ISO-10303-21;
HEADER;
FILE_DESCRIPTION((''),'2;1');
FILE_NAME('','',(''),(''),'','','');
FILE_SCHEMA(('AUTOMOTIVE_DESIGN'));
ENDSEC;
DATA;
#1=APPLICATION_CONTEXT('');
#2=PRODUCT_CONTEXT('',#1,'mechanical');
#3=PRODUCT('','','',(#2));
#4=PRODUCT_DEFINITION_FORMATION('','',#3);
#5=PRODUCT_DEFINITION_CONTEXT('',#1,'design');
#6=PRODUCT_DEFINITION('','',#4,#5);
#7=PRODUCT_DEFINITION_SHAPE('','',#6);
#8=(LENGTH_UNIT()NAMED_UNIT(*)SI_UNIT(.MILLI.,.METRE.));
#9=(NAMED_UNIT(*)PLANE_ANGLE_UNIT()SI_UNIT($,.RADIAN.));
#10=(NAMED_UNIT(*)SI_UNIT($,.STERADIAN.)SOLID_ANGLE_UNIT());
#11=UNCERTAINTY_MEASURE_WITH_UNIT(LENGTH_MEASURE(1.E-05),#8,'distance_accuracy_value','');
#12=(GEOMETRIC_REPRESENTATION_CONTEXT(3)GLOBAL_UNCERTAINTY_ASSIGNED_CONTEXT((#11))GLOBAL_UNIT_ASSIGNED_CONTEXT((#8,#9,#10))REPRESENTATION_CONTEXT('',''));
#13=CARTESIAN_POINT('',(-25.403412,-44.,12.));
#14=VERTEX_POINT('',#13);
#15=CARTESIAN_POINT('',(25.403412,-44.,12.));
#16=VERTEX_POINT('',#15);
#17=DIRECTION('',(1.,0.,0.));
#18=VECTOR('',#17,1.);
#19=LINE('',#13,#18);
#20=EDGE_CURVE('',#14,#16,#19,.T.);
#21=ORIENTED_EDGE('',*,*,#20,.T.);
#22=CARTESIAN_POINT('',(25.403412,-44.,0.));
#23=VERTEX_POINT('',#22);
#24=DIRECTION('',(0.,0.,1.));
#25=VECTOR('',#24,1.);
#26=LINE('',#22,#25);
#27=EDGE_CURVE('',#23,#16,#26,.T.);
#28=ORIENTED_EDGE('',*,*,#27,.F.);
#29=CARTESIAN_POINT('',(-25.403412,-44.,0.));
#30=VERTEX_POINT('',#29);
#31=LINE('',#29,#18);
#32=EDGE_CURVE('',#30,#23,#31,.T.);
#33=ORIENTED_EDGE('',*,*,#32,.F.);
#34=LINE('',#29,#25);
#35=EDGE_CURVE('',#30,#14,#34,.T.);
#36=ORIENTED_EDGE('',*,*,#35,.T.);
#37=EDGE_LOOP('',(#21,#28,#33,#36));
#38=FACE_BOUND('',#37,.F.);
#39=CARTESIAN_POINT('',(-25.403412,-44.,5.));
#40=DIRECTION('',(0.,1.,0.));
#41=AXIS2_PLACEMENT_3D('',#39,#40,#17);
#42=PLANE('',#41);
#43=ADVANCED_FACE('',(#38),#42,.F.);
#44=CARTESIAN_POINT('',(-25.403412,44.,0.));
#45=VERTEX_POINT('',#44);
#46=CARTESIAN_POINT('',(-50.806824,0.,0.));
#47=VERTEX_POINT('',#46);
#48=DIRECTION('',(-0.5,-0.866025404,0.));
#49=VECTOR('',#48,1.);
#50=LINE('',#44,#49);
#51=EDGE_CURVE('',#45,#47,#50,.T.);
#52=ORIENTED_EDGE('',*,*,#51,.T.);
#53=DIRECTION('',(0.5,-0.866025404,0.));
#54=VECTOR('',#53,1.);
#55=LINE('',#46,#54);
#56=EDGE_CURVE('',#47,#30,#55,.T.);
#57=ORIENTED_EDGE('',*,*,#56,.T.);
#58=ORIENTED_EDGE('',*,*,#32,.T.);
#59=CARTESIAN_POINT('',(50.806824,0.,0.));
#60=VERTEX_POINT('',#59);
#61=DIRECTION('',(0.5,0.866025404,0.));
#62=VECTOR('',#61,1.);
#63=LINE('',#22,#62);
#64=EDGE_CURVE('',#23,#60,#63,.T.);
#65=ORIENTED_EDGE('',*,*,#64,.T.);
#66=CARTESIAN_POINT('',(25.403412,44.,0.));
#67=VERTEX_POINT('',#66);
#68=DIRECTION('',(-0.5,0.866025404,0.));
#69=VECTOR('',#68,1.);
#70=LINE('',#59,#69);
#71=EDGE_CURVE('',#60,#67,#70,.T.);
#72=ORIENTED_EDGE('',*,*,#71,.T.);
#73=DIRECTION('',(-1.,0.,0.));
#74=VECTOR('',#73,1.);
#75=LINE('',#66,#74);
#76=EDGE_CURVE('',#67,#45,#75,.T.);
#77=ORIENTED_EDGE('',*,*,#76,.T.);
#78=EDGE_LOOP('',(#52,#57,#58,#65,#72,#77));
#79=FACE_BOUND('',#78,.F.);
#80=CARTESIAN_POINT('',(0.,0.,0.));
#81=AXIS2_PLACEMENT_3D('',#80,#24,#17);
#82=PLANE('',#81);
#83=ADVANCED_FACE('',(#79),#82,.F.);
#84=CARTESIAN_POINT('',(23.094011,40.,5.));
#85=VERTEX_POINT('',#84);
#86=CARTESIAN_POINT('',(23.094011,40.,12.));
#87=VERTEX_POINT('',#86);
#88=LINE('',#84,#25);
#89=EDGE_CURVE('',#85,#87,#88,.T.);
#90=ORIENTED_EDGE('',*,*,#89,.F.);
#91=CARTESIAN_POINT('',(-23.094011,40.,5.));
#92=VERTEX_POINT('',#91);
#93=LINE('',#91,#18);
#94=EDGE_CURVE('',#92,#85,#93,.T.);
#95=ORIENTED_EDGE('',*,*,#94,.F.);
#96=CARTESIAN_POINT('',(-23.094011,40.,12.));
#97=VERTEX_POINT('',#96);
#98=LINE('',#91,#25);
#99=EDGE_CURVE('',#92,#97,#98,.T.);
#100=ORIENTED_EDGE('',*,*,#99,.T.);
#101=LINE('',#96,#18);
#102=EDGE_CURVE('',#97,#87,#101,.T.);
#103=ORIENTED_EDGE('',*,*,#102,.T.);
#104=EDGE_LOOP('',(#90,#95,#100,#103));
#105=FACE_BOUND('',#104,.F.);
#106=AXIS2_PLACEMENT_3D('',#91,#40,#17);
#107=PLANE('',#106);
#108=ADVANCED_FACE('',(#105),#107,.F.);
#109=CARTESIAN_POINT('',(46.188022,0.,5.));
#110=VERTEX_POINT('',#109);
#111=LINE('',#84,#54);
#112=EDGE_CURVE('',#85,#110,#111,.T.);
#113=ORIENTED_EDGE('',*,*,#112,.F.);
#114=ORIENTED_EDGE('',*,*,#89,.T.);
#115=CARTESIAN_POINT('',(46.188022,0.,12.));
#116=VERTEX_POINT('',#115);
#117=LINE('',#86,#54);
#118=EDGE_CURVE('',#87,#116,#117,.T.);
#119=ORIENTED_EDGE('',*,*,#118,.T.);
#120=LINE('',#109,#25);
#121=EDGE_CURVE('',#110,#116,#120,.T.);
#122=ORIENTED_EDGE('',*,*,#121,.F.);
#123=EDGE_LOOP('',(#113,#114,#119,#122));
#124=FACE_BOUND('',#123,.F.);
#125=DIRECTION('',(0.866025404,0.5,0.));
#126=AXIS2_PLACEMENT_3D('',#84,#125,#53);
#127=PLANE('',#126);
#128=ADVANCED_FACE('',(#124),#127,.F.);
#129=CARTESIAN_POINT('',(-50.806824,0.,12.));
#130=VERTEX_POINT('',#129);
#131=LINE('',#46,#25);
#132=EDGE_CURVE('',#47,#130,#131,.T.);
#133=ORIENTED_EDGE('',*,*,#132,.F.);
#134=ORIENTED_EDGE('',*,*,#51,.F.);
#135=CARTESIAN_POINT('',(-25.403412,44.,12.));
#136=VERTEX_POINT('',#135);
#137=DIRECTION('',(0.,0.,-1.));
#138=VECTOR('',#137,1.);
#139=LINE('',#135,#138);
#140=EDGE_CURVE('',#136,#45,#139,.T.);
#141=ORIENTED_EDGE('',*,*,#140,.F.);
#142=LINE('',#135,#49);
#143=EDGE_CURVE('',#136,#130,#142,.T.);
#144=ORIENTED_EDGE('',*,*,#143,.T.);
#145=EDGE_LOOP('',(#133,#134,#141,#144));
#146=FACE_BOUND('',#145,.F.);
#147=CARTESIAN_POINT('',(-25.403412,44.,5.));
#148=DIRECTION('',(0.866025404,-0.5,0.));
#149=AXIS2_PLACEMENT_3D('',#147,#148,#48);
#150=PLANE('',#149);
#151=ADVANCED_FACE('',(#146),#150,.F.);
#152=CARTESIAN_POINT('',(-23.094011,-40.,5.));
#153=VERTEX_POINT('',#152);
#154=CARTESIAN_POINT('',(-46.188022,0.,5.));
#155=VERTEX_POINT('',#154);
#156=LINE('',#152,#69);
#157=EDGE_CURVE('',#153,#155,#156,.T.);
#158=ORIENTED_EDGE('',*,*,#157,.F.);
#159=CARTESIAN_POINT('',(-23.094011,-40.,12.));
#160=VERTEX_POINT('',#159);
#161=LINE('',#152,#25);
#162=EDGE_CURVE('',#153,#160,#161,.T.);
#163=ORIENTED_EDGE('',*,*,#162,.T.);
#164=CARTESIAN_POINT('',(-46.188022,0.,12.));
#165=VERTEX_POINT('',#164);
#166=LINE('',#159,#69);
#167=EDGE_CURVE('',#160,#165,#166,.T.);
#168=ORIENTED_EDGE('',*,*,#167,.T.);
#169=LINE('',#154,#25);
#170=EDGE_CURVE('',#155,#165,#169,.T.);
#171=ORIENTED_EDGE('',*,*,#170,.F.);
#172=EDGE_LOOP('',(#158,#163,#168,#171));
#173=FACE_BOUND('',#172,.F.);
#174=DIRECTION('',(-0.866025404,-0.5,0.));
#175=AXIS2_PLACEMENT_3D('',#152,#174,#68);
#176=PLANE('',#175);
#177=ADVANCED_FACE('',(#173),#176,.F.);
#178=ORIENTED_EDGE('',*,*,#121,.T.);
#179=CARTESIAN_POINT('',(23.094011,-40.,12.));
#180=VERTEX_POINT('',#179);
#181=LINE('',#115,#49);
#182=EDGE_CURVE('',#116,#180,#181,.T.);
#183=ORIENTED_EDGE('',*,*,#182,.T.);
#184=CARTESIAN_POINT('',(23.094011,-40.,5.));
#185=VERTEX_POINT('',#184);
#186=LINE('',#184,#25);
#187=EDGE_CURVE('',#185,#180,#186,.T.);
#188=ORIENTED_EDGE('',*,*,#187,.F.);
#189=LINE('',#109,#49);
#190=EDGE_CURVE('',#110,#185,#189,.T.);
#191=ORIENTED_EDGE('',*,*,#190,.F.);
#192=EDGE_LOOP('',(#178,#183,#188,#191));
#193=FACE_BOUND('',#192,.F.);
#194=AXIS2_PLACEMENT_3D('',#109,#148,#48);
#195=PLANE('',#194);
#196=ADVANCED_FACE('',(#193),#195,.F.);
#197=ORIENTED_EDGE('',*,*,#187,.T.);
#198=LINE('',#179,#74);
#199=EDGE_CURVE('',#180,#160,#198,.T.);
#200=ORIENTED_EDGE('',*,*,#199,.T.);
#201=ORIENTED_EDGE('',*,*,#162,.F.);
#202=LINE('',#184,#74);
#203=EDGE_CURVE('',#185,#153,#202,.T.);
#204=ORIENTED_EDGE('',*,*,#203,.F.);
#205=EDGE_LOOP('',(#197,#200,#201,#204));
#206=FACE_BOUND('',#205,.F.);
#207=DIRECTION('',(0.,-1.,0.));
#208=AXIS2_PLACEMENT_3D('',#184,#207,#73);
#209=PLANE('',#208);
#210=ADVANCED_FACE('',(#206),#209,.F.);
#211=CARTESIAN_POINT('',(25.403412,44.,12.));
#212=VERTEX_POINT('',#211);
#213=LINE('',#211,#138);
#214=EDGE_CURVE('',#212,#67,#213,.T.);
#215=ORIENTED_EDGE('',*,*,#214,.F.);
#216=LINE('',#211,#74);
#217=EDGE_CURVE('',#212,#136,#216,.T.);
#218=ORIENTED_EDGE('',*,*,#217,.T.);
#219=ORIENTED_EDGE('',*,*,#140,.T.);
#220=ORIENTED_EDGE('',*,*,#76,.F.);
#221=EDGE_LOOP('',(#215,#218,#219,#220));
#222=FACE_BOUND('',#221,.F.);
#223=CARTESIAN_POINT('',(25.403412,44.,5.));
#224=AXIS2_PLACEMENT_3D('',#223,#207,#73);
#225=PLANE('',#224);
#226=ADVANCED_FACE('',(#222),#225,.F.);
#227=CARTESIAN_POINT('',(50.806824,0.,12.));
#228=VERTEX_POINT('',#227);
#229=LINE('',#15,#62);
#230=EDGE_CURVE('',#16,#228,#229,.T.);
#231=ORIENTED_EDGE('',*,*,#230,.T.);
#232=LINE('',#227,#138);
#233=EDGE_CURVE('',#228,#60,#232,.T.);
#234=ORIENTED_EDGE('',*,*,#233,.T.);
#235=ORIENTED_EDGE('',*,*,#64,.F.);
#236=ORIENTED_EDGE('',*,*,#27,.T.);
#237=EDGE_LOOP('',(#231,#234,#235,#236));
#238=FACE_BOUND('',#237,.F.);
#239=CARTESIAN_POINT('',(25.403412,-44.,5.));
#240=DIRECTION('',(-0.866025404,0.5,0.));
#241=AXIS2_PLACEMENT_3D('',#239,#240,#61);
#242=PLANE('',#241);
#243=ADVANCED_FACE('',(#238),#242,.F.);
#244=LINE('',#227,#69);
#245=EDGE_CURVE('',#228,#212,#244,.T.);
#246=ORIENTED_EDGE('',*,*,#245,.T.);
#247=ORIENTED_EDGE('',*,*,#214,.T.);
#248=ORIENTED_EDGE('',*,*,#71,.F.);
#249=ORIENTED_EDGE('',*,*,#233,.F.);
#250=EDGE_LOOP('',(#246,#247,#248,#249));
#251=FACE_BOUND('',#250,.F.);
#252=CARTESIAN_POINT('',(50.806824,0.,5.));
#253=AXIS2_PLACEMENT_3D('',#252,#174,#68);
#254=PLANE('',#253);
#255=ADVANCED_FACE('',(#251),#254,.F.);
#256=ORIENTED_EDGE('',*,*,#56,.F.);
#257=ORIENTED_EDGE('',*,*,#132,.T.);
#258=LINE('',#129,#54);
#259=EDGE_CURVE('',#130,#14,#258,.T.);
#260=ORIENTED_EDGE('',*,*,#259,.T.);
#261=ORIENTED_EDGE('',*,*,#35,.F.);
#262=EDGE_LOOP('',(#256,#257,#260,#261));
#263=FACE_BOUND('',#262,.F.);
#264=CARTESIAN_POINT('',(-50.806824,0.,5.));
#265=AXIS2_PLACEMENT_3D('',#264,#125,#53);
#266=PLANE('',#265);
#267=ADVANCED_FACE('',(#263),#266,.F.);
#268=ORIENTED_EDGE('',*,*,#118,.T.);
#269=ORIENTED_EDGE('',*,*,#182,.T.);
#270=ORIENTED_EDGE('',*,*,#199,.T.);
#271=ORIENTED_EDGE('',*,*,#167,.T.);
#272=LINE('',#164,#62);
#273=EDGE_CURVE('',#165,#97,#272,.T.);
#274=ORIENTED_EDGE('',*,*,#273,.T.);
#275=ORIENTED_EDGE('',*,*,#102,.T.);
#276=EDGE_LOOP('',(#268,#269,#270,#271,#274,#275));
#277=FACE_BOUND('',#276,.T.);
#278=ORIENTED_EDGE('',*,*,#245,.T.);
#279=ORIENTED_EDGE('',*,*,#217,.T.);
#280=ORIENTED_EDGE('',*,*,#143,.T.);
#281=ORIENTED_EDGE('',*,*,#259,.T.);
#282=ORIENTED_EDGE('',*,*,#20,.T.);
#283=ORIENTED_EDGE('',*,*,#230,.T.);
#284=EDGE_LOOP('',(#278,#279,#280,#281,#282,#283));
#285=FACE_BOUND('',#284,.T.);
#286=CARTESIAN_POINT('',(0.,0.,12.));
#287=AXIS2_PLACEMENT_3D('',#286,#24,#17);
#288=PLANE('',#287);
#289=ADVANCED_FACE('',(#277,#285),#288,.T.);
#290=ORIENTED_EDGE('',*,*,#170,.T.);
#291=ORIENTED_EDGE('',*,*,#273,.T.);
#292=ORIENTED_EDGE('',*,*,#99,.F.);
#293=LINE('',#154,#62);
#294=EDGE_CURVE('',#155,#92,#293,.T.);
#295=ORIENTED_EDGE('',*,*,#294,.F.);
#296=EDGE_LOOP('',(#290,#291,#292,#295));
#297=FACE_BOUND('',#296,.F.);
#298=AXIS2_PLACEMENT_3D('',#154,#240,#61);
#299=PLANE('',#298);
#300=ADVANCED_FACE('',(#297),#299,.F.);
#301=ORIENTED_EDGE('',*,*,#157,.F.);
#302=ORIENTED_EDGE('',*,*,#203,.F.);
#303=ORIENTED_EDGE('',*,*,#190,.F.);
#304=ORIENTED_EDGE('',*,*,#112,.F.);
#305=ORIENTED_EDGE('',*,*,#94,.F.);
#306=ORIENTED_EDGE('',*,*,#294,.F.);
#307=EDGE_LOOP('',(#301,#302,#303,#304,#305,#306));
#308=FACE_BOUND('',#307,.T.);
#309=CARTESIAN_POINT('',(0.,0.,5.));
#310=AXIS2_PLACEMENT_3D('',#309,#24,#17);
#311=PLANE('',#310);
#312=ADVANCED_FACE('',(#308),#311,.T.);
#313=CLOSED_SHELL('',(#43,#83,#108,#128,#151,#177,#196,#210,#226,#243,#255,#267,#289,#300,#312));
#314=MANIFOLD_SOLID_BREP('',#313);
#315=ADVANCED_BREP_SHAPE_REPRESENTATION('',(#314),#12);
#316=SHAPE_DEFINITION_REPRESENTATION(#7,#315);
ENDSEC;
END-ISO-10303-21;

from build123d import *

# Parameters (mm, degrees)
F1_DEPTH = 5
F3_DEPTH = 7


with BuildPart() as f1:
    # F0 (on Top) → F1 (new body)
    with BuildSketch(Plane.XY):
        Polygon((-25.4034118443, 44), (-50.8068236887, 0), (-25.4034118443, -44), (25.4034118443, -44), (50.8068236887, 0), (25.4034118443, 44), align=None)
        Polygon((-23.0940107676, -40), (-46.1880215352, 0), (-23.0940107676, 40), (23.0940107676, 40), (46.1880215352, 0), (23.0940107676, -40), align=None, mode=Mode.SUBTRACT)
        Polygon((-23.0940107676, 40), (-46.1880215352, 0), (-23.0940107676, -40), (23.0940107676, -40), (46.1880215352, 0), (23.0940107676, 40), align=None)
    extrude(amount=F1_DEPTH)

    # F2 (on face) → F3 (join)
    with BuildSketch(Plane.XY.offset(5)):
        Polygon((-25.4034118443, 44), (-50.8068236887, 0), (-25.4034118443, -44), (25.4034118443, -44), (50.8068236887, 0), (25.4034118443, 44), align=None)
        Polygon((-23.0940107676, -40), (-46.1880215352, 0), (-23.0940107676, 40), (23.0940107676, 40), (46.1880215352, 0), (23.0940107676, -40), align=None, mode=Mode.SUBTRACT)
    extrude(amount=F3_DEPTH)


solid = f1.part
